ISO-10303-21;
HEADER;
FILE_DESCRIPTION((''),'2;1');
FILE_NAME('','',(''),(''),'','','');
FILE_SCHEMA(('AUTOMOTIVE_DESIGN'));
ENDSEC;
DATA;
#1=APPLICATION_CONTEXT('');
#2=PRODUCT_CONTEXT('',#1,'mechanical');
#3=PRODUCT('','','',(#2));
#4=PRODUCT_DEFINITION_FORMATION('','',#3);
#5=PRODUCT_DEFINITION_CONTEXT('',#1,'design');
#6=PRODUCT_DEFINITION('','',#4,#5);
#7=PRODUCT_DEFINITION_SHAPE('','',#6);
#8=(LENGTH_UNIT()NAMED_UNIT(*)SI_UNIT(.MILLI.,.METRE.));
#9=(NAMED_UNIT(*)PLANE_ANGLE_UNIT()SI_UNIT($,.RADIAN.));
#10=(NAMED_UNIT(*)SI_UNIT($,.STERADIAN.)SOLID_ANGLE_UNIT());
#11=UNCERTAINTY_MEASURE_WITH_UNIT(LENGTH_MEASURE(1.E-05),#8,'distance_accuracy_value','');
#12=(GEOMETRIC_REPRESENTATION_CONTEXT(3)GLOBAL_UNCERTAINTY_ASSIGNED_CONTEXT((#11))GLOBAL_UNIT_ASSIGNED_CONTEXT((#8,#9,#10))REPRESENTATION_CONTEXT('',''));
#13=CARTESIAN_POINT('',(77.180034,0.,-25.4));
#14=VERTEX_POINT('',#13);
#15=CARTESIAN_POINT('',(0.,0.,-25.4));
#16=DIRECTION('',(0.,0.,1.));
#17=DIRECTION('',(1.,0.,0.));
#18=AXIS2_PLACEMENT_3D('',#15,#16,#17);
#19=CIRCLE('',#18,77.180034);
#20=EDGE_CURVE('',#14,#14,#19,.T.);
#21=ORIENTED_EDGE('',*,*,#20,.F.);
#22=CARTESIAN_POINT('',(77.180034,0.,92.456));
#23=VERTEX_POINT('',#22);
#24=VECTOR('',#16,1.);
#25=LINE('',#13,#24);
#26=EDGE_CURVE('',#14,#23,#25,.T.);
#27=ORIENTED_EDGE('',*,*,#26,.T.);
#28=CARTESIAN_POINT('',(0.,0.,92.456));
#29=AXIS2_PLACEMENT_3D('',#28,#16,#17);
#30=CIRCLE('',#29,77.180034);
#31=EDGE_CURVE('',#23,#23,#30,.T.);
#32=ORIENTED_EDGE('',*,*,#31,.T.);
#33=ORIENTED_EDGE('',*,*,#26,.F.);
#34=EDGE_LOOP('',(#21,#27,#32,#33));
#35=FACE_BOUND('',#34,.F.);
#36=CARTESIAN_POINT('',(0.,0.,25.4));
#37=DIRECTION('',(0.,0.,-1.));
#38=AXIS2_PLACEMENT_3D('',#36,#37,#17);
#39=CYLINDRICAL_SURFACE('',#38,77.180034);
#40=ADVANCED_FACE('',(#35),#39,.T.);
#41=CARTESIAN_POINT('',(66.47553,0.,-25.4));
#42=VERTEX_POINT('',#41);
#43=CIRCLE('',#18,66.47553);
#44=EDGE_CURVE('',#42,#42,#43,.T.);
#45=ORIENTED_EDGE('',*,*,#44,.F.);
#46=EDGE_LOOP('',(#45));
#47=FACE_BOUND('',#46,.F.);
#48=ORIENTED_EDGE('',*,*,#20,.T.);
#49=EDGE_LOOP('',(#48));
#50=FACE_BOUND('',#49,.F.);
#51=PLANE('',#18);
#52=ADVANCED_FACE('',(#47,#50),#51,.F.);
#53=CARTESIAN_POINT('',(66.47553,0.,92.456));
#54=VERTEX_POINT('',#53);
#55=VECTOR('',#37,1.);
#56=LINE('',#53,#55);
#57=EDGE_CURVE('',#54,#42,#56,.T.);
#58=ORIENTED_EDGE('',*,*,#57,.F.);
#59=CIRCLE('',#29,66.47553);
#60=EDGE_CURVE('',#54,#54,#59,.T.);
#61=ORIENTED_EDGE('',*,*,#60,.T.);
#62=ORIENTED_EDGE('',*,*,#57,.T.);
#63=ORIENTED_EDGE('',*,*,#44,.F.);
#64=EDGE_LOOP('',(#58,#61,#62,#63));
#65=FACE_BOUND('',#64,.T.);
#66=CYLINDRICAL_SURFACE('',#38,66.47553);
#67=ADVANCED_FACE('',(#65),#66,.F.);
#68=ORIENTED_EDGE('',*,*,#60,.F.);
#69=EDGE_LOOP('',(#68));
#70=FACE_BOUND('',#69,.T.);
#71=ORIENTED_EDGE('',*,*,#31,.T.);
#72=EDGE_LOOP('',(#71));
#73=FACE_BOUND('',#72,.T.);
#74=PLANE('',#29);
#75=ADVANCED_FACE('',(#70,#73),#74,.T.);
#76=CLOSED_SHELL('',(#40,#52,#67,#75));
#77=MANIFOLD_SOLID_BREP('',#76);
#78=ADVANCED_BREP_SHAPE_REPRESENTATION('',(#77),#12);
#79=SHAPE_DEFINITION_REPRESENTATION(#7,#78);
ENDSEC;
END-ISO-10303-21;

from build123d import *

# Parameters (mm, degrees)
F0_R     = 77.1800342887
F0_R_2   = 66.4755295027
F1_DEPTH = 25.4
F2_DEPTH = 25.4
F3_DEPTH = 67.056


with BuildPart() as f1:
    # F0 (on Top) → F1 (new body)
    with BuildSketch(Plane.XY):
        Circle(F0_R)
        Circle(F0_R_2, mode=Mode.SUBTRACT)
    extrude(amount=F1_DEPTH)

    # F2 (add): faces of the model
    f2_faces = [f1.faces().sort_by_distance(p)[0] for p in [
        (-74.997053264, 0, 0),
        (-74.997053264, 0, 25.4),
    ]]
    extrude(f2_faces, amount=F2_DEPTH, dir=(0, 0, -1))

    # F3 (add): a face of the model
    f3_faces = [f1.faces().sort_by_distance(p)[0] for p in [
        (-74.997053264, 0, 25.4),
    ]]
    extrude(f3_faces, amount=F3_DEPTH)


solid = f1.part
